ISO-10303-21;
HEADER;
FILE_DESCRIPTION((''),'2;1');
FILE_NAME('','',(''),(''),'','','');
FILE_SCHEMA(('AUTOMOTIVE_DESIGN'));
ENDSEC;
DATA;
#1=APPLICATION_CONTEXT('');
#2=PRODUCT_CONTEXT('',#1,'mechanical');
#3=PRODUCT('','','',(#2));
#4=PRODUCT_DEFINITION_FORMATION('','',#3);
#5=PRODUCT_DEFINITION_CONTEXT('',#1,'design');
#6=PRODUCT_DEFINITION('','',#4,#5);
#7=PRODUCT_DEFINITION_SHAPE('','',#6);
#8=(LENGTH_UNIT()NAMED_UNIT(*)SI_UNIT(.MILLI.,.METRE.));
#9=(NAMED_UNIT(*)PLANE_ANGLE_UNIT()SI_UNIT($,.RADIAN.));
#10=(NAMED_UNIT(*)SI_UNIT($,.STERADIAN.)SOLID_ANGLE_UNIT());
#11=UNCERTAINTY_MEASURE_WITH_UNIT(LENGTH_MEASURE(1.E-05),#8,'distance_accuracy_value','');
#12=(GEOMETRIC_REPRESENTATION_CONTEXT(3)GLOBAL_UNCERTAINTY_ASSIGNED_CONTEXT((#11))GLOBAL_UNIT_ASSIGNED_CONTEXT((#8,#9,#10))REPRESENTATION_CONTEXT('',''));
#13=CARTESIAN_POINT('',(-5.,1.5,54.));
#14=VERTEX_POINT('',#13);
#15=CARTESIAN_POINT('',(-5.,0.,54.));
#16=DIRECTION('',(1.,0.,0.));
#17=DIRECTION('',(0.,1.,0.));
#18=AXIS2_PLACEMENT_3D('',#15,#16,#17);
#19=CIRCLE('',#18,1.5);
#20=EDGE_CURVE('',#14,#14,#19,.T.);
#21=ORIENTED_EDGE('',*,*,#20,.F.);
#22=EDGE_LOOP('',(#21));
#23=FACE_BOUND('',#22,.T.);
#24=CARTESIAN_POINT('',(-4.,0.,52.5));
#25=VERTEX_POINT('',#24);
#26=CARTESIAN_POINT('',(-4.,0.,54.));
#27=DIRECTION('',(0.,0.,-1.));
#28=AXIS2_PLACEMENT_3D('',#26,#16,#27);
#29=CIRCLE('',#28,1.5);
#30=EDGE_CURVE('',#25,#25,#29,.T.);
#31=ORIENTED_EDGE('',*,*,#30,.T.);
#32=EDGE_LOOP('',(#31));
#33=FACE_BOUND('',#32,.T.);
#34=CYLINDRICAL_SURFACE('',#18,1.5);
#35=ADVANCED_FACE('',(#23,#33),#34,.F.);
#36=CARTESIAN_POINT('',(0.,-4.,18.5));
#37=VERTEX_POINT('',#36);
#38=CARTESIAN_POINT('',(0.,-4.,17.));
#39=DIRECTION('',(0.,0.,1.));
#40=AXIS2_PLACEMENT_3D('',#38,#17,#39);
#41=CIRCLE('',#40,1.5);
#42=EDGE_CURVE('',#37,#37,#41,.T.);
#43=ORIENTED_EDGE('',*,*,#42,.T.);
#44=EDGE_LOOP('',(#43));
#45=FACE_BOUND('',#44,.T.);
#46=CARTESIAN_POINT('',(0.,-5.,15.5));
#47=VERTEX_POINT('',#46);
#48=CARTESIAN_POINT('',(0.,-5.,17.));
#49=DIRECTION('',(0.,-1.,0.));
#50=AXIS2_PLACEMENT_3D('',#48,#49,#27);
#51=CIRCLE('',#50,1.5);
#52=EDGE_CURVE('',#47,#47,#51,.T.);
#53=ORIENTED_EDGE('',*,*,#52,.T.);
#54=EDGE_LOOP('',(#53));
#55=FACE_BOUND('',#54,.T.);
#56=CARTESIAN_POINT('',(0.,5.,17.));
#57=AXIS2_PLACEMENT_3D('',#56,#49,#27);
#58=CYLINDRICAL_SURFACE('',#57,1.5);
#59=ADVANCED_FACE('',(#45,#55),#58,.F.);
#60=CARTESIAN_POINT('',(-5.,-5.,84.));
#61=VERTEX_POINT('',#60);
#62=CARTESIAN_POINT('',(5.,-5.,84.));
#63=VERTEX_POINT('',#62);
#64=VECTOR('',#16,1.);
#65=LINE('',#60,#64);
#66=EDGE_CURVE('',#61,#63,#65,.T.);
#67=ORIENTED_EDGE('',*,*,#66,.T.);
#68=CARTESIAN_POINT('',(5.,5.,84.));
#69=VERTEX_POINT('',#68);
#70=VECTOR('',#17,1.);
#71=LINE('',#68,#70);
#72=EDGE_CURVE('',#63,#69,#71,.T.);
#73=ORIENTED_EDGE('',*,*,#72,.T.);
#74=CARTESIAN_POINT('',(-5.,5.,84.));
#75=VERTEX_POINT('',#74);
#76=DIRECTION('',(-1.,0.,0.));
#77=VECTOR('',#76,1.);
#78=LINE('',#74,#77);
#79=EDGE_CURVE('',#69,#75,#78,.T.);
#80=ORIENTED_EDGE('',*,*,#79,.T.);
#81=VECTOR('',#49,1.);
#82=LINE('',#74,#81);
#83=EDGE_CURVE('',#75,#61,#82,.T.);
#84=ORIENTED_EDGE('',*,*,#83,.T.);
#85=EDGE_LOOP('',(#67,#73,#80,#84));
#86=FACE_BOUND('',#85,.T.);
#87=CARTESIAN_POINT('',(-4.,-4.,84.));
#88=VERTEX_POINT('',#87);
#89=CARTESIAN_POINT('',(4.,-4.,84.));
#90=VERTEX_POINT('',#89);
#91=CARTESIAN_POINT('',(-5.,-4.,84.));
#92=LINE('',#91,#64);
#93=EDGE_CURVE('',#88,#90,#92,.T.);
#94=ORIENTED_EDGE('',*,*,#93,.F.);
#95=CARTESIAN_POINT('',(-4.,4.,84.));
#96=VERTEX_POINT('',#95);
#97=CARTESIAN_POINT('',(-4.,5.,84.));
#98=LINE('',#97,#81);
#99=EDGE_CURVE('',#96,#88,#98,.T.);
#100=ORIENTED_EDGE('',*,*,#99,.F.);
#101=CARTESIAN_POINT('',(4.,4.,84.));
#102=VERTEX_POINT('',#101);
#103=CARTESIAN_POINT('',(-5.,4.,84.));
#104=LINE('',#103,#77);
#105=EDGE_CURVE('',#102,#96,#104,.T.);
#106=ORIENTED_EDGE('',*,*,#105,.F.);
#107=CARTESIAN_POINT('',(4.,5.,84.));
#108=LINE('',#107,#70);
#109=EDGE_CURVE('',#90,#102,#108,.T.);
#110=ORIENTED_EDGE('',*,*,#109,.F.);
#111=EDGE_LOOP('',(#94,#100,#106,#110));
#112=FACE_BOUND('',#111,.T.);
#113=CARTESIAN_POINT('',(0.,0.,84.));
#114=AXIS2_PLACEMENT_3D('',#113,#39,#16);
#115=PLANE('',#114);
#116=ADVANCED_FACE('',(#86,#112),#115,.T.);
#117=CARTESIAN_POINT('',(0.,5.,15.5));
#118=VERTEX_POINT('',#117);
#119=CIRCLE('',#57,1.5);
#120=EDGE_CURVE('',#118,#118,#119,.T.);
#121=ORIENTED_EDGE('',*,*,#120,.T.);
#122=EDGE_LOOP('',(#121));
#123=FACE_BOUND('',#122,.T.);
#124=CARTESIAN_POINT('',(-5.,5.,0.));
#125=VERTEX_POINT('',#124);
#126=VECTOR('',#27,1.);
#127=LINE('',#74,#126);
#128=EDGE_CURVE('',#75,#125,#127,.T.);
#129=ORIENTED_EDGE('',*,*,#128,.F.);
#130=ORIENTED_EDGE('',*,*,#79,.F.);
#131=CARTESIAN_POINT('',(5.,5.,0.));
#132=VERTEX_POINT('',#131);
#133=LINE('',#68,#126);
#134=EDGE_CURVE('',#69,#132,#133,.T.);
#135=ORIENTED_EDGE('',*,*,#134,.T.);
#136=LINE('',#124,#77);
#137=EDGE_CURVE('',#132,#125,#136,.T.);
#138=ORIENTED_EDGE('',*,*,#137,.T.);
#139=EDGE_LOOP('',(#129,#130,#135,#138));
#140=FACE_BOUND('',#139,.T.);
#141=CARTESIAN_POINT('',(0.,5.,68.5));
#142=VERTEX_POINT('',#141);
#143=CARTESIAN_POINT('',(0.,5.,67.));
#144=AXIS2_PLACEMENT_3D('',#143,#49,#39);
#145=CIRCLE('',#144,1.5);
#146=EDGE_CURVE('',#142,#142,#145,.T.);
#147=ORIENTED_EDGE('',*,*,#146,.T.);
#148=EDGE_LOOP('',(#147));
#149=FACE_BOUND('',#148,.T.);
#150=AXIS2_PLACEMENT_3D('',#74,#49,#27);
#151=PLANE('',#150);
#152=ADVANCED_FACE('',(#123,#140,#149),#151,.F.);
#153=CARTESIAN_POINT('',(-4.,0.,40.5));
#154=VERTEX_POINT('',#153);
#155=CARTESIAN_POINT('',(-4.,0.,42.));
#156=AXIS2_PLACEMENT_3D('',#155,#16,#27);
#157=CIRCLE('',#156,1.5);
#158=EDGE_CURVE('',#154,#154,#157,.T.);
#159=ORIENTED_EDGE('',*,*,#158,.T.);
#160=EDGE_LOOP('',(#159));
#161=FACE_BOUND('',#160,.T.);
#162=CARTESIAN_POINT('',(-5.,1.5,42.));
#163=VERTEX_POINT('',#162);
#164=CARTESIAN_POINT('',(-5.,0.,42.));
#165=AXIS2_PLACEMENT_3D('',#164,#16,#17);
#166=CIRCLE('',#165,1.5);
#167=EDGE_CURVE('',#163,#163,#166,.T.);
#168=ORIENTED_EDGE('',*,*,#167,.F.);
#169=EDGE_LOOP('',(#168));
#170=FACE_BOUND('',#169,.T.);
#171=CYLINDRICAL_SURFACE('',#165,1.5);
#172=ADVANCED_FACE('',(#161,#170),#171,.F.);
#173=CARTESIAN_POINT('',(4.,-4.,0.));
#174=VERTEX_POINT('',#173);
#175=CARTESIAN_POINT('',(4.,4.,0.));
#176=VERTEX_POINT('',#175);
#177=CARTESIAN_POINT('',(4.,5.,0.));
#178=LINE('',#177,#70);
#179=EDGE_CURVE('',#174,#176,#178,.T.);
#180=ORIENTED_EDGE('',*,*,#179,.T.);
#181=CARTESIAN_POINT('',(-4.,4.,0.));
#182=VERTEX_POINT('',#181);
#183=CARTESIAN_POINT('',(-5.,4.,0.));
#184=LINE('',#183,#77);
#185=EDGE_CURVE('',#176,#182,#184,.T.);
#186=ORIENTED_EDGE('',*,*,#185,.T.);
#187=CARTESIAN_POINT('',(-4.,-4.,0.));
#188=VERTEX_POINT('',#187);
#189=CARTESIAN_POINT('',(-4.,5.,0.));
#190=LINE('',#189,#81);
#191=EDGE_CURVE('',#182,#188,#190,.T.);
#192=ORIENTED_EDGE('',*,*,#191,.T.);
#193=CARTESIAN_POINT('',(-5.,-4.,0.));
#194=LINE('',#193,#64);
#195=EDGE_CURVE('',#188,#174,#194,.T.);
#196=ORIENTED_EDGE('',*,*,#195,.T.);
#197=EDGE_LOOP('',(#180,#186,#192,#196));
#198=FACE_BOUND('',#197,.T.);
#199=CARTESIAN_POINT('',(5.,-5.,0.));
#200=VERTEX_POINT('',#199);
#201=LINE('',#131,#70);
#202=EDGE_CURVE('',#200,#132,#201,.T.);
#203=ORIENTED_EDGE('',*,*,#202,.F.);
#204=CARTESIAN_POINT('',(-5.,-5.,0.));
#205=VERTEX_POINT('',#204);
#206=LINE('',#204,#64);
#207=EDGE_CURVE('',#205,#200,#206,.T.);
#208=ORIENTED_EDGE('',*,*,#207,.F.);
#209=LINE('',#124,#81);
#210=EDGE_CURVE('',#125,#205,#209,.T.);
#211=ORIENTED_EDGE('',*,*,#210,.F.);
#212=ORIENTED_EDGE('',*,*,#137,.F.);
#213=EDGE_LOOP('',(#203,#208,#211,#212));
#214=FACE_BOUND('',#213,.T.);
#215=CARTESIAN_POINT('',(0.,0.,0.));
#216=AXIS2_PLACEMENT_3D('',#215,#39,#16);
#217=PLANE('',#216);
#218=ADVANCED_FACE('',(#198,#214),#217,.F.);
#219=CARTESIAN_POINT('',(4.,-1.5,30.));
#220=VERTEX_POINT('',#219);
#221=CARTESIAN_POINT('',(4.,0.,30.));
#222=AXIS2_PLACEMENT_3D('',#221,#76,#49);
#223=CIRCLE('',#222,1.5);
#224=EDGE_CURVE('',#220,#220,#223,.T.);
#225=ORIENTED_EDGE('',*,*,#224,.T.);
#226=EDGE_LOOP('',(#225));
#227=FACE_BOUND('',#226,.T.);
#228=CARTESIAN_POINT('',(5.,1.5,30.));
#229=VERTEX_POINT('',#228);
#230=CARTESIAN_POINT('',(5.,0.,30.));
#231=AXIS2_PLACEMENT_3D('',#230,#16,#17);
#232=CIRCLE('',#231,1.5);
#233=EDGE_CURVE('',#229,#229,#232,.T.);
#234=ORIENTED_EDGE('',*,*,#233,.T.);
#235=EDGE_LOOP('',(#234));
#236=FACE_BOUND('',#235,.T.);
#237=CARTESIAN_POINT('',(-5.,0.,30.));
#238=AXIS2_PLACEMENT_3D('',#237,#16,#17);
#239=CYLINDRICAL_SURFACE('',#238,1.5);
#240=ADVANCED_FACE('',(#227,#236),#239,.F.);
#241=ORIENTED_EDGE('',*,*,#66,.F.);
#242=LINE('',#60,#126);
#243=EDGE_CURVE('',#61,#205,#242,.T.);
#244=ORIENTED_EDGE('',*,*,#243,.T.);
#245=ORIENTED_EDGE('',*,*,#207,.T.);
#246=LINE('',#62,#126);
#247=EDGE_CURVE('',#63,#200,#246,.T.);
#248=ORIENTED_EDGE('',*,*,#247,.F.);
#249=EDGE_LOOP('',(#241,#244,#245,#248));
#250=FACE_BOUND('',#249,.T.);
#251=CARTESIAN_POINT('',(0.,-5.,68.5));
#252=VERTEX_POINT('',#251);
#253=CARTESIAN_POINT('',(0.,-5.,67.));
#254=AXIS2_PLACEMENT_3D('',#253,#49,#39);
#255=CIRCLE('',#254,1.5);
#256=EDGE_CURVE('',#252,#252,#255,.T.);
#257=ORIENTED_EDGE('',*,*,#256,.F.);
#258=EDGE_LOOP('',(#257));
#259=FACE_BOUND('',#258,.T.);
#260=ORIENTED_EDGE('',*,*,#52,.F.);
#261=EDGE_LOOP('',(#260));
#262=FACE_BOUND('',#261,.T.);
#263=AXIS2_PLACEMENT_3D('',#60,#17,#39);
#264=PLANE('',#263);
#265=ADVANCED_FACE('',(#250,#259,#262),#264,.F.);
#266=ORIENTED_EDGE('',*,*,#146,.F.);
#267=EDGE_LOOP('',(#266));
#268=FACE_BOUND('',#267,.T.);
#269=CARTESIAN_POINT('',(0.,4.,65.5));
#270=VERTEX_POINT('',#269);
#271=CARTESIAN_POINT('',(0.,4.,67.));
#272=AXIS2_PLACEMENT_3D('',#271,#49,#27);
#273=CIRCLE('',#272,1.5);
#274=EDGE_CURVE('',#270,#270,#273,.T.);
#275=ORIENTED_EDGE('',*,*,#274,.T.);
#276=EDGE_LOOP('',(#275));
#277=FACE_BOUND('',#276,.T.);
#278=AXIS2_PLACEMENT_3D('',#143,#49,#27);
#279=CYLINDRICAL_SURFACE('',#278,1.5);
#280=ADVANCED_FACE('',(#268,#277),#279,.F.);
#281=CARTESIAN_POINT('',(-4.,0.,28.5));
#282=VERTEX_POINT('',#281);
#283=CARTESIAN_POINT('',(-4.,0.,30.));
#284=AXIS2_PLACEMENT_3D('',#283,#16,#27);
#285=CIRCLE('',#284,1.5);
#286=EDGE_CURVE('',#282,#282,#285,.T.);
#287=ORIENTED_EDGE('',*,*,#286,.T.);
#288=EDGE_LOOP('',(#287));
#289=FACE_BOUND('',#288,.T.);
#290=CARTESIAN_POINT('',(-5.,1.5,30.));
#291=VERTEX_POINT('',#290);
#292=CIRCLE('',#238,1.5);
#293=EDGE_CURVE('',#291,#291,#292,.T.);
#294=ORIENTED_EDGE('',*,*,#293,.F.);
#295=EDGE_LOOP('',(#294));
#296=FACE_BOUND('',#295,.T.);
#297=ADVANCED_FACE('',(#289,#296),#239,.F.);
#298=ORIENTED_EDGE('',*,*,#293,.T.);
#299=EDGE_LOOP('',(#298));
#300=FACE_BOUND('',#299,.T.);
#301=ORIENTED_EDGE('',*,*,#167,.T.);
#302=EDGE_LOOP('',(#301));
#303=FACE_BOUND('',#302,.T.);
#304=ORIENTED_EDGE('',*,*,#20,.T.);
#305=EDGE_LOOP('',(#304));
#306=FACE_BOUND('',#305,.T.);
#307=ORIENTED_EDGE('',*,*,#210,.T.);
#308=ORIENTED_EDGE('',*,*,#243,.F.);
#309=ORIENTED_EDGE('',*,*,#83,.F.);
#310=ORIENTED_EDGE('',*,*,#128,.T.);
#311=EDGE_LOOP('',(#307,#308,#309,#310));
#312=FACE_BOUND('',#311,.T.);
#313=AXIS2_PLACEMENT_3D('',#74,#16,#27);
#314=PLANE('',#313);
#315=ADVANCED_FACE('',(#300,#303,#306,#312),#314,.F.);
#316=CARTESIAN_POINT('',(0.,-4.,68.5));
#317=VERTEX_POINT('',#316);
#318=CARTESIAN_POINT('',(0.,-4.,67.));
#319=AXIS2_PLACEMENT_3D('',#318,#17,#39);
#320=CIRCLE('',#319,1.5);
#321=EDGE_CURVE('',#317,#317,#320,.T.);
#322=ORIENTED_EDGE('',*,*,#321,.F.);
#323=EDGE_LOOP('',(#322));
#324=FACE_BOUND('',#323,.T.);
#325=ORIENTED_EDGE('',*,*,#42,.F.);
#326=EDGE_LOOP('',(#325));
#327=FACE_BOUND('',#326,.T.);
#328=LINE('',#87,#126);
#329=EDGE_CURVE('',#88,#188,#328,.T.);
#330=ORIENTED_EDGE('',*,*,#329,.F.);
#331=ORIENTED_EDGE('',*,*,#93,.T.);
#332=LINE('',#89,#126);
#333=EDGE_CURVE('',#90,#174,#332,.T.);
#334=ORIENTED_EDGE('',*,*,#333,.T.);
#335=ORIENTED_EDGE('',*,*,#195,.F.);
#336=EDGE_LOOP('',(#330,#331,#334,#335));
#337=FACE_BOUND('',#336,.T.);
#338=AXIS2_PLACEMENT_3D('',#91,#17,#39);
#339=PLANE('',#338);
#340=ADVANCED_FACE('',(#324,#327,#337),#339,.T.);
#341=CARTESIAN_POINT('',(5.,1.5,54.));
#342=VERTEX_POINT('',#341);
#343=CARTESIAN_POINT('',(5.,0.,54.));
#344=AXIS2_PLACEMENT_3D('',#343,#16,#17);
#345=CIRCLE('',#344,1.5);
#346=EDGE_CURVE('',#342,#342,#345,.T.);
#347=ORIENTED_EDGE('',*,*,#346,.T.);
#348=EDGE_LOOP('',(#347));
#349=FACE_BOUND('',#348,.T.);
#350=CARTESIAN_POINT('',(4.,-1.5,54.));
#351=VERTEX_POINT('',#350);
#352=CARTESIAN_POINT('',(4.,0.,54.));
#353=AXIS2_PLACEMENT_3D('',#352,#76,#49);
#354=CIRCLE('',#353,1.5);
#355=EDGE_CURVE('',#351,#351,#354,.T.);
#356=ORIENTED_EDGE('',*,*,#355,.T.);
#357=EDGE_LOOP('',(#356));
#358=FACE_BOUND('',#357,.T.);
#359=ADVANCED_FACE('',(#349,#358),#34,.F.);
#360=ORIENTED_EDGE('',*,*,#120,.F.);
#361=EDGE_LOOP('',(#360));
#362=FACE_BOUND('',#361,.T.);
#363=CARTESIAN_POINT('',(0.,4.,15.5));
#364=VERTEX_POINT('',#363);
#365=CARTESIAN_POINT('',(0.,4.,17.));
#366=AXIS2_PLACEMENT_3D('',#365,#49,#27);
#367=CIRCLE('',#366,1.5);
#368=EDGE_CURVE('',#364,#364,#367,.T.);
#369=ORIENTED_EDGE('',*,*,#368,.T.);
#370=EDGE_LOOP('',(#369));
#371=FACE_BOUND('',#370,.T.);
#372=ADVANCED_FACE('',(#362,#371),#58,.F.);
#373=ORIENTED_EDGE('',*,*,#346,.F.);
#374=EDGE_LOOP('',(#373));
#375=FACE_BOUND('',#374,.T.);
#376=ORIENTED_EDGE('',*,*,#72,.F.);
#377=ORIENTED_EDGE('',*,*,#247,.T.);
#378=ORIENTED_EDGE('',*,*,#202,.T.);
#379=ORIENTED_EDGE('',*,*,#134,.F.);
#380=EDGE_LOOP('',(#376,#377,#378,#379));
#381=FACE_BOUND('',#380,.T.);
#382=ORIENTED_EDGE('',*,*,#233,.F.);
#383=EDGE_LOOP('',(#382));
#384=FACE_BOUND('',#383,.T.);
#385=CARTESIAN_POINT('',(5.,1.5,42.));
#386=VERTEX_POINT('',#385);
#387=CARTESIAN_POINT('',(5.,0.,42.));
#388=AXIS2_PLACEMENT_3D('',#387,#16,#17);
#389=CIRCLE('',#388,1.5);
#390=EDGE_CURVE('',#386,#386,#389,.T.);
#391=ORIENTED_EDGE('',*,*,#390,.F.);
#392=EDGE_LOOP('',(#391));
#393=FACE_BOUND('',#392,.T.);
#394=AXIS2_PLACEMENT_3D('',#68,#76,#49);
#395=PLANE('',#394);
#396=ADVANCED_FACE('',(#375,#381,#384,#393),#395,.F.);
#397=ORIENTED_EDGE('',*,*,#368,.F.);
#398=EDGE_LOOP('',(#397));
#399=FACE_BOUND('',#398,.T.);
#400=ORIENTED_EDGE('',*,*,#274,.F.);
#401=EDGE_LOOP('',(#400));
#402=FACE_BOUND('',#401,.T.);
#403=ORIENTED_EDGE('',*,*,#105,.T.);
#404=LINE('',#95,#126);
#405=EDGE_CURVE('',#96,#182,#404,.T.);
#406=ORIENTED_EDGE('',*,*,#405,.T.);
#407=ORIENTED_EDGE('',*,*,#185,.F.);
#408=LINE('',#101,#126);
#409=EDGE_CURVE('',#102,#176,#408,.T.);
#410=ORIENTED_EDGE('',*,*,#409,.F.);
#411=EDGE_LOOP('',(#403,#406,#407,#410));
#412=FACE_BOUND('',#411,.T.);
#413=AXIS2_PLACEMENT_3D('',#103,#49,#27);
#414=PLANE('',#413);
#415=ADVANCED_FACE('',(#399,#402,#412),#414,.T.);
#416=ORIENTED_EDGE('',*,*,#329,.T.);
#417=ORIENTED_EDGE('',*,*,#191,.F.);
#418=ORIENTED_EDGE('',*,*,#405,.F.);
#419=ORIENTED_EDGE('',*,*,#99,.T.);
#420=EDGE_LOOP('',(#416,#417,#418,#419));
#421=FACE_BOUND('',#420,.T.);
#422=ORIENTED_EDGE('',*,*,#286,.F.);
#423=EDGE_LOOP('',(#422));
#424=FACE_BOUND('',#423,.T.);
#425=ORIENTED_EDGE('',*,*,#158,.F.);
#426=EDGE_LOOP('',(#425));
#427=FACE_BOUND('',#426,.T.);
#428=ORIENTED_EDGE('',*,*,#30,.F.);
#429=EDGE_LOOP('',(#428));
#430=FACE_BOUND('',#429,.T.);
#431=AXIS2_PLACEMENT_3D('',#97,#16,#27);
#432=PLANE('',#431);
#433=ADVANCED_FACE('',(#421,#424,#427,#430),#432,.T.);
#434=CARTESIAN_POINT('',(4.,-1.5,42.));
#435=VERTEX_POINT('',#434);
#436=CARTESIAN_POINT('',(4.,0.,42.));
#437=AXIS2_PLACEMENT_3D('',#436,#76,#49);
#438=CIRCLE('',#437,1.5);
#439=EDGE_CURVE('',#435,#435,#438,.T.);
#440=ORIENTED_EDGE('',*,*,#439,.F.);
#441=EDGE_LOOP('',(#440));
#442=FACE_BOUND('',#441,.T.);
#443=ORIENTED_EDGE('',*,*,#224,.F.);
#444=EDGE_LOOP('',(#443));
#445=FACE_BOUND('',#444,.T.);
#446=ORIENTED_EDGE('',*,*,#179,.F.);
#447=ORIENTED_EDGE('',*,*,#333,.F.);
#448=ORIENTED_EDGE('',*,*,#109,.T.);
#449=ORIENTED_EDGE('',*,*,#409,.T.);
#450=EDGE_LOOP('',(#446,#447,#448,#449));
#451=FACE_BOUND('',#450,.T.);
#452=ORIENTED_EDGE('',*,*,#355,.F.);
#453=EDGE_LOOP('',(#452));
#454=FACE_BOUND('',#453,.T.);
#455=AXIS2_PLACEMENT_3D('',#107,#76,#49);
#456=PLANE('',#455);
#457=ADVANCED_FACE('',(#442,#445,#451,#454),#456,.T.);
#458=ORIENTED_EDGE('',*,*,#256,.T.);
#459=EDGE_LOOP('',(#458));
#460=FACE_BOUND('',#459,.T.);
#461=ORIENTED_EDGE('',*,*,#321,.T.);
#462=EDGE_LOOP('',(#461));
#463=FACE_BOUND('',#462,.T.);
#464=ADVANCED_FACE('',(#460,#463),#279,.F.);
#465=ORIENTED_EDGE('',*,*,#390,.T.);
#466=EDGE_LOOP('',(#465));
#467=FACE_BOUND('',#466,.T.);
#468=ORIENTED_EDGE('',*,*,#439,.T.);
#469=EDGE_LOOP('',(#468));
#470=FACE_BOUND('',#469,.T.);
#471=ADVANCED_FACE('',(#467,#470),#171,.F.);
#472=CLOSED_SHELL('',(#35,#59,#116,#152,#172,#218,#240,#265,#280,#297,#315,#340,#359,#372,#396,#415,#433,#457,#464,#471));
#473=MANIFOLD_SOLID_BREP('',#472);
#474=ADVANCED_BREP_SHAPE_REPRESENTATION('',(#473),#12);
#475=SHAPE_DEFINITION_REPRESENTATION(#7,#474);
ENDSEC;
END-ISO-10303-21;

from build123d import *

# Parameters (mm, degrees)
SKETCH_1_W          = 10
SKETCH_1_H          = 10
SKETCH_1_W_2        = 8
SKETCH_1_H_2        = 8
EXTRUDE_1_DEPTH     = 84
SKETCH_2_R          = 1.5
CUT_EXTRUDE_1_DEPTH = 11
SKETCH_3_R          = 1.5
CUT_EXTRUDE_2_DEPTH = 11


with BuildPart() as part:
    # 草图1 → 拉伸-薄壁1 (new body)
    with BuildSketch(Plane.XY):
        Rectangle(SKETCH_1_W, SKETCH_1_H)
        Rectangle(SKETCH_1_W_2, SKETCH_1_H_2, mode=Mode.SUBTRACT)
    extrude(amount=EXTRUDE_1_DEPTH)

    # 草图2 → 切除-拉伸1 (cut, through all)
    with BuildSketch(Plane(origin=(5, 0, 0), x_dir=(0, 0, -1), z_dir=(1, 0, 0))):
        with Locations((-54, 0)):
            Circle(SKETCH_2_R)
        with Locations((-30, 0)):
            Circle(SKETCH_2_R)
        with Locations((-42, 0)):
            Circle(SKETCH_2_R)
    extrude(amount=-CUT_EXTRUDE_1_DEPTH, mode=Mode.SUBTRACT)

    # 草图3 → 切除-拉伸2 (cut, through all)
    with BuildSketch(Plane.XZ.offset(5)):
        with Locations((0, 17)):
            Circle(SKETCH_3_R)
        with Locations((0, 67)):
            Circle(SKETCH_3_R)
    extrude(amount=-CUT_EXTRUDE_2_DEPTH, mode=Mode.SUBTRACT)


solid = part.part
